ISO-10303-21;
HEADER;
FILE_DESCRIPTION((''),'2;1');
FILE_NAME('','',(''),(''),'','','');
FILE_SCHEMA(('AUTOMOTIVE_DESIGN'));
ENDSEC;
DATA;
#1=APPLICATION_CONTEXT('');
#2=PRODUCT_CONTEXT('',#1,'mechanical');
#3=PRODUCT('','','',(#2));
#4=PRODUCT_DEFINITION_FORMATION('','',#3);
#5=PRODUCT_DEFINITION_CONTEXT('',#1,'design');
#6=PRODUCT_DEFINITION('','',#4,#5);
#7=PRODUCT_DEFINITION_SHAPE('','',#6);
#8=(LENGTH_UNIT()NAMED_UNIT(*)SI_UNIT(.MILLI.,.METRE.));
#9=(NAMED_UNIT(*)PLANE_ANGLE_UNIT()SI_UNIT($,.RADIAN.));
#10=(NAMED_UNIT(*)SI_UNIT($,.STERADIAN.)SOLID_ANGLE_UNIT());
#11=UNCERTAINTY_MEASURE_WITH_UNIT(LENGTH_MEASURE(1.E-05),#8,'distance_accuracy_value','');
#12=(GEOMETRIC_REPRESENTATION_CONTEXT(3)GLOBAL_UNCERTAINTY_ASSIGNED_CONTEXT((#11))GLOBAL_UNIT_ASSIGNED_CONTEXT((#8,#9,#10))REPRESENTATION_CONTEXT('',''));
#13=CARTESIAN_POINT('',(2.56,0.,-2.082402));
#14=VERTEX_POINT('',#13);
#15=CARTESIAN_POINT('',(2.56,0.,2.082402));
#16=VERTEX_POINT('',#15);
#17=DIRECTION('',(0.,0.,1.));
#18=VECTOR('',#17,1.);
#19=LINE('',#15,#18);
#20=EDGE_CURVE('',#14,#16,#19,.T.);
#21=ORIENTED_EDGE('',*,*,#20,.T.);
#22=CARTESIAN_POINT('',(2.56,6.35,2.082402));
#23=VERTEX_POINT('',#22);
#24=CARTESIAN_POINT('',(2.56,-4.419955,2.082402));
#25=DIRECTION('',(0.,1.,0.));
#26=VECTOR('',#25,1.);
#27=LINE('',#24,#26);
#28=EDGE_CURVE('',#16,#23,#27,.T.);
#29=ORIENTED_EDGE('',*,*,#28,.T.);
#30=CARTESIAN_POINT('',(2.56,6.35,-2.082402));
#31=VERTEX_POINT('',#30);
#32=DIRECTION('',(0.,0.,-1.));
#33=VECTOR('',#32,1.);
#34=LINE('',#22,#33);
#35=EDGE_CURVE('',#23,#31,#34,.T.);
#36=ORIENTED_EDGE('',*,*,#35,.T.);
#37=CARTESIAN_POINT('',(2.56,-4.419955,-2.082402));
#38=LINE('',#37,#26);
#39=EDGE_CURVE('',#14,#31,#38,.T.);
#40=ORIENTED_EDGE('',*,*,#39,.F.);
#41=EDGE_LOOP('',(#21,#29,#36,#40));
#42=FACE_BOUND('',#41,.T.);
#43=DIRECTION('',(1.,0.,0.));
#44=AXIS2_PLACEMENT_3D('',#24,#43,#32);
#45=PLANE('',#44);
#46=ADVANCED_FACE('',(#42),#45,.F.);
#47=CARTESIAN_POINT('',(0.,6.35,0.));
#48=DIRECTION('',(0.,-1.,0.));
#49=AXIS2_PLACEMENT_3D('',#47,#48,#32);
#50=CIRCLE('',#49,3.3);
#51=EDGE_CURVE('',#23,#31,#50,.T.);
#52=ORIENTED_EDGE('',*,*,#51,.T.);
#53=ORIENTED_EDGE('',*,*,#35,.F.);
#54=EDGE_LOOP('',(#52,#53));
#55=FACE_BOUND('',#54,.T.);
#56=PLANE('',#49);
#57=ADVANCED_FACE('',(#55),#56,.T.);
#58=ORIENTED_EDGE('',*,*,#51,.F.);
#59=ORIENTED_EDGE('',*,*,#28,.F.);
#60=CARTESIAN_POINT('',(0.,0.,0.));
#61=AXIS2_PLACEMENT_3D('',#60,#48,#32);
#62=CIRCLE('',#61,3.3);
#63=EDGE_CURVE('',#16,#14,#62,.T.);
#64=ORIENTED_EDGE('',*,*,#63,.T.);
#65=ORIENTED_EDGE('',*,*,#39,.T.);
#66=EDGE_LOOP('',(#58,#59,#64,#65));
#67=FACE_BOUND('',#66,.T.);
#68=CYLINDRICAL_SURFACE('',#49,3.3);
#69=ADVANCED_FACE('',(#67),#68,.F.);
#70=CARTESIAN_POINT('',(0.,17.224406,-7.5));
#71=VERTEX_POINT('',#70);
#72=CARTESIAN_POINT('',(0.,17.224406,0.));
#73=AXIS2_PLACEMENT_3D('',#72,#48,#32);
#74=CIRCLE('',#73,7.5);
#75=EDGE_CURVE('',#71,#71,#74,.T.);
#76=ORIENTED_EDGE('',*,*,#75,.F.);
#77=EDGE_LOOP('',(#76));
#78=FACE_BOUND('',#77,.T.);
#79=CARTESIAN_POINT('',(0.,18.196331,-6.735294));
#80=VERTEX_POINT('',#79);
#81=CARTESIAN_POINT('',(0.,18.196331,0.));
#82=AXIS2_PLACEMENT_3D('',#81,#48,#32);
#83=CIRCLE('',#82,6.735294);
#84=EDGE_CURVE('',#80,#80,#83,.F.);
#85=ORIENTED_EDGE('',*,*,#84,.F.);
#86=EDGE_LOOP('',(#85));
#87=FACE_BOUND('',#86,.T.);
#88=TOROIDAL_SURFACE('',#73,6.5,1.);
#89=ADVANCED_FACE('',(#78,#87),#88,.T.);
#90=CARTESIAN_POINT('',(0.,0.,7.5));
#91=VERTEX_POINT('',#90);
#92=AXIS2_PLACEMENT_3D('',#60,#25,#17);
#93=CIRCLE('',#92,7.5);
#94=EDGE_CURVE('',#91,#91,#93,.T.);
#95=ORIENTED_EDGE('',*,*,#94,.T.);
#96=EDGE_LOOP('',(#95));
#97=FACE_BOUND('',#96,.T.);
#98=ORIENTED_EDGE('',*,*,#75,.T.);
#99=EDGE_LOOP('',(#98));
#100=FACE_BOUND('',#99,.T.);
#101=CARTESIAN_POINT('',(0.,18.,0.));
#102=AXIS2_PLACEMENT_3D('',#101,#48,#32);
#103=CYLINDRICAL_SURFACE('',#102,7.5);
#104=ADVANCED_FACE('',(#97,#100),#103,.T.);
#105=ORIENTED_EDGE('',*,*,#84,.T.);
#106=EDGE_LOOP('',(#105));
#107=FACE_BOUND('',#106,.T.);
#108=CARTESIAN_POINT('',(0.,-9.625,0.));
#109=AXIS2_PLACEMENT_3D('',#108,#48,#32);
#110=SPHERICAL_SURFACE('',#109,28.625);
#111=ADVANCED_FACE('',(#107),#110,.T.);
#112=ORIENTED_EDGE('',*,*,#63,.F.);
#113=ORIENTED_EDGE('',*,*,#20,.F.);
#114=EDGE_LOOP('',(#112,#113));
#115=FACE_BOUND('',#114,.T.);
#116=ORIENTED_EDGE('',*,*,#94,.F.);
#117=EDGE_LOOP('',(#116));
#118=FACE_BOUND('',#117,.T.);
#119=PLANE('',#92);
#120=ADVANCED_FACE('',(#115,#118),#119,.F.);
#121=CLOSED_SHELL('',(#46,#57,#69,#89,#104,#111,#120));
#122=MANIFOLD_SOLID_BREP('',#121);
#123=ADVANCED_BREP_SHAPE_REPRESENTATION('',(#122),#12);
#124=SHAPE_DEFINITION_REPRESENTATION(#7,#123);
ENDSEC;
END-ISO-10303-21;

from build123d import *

# Parameters (mm, degrees)
SKETCH1_R           = 7.5
BOSS_EXTRUDE1_DEPTH = 18
DOME1_FACE_RADIUS   = 7.5
DOME1_HEIGHT        = 1
FILLET1_R           = 1
SKETCH2_R           = 3.3
CUT_EXTRUDE1_DEPTH  = 6.35
SKETCH3_W           = 1.48
SKETCH3_H           = 4.164804918
BOSS_EXTRUDE2_DEPTH = 6.35


with BuildPart() as part:
    # Sketch1 → Boss-Extrude1 (new body)
    with BuildSketch(Plane(origin=(0, 0, 0), x_dir=(1, 0, 0), z_dir=(0, 1, 0))):
        with Locations(Location((0, 0, 0), (0, 0, 270))):
            Circle(SKETCH1_R)
    extrude(amount=BOSS_EXTRUDE1_DEPTH)

    # Dome1: a dome of height H over a round flat face of radius A is a cap of a sphere of radius (A * A + H * H) / (2 * H)
    dome1_r = (DOME1_FACE_RADIUS * DOME1_FACE_RADIUS + DOME1_HEIGHT * DOME1_HEIGHT) / (2 * DOME1_HEIGHT)
    dome1_base = Plane((0, 18, 0), z_dir=(0, 1, 0))
    with Locations(dome1_base.offset(DOME1_HEIGHT - dome1_r)):
        dome1_ball = Sphere(dome1_r, mode=Mode.PRIVATE)
    add(split(dome1_ball, bisect_by=dome1_base, keep=Keep.TOP, mode=Mode.PRIVATE))

    # Fillet1
    fillet1_edges = [part.edges().sort_by_distance(p)[0] for p in [
        (0, 18, -7.5),
    ]]
    fillet(fillet1_edges, radius=FILLET1_R)

    # Sketch2 → Cut-Extrude1 (cut)
    with BuildSketch(Plane.XZ):
        with Locations(Location((0, 0, 0), (0, 0, 270))):
            Circle(SKETCH2_R)
    extrude(amount=-CUT_EXTRUDE1_DEPTH, mode=Mode.SUBTRACT)

    # Sketch3 → Boss-Extrude2 (add)
    with BuildSketch(Plane.XZ.offset(-6.35)):
        with Locations((3.3, 0)):
            Rectangle(SKETCH3_W, SKETCH3_H)
    extrude(amount=BOSS_EXTRUDE2_DEPTH)


solid = part.part
